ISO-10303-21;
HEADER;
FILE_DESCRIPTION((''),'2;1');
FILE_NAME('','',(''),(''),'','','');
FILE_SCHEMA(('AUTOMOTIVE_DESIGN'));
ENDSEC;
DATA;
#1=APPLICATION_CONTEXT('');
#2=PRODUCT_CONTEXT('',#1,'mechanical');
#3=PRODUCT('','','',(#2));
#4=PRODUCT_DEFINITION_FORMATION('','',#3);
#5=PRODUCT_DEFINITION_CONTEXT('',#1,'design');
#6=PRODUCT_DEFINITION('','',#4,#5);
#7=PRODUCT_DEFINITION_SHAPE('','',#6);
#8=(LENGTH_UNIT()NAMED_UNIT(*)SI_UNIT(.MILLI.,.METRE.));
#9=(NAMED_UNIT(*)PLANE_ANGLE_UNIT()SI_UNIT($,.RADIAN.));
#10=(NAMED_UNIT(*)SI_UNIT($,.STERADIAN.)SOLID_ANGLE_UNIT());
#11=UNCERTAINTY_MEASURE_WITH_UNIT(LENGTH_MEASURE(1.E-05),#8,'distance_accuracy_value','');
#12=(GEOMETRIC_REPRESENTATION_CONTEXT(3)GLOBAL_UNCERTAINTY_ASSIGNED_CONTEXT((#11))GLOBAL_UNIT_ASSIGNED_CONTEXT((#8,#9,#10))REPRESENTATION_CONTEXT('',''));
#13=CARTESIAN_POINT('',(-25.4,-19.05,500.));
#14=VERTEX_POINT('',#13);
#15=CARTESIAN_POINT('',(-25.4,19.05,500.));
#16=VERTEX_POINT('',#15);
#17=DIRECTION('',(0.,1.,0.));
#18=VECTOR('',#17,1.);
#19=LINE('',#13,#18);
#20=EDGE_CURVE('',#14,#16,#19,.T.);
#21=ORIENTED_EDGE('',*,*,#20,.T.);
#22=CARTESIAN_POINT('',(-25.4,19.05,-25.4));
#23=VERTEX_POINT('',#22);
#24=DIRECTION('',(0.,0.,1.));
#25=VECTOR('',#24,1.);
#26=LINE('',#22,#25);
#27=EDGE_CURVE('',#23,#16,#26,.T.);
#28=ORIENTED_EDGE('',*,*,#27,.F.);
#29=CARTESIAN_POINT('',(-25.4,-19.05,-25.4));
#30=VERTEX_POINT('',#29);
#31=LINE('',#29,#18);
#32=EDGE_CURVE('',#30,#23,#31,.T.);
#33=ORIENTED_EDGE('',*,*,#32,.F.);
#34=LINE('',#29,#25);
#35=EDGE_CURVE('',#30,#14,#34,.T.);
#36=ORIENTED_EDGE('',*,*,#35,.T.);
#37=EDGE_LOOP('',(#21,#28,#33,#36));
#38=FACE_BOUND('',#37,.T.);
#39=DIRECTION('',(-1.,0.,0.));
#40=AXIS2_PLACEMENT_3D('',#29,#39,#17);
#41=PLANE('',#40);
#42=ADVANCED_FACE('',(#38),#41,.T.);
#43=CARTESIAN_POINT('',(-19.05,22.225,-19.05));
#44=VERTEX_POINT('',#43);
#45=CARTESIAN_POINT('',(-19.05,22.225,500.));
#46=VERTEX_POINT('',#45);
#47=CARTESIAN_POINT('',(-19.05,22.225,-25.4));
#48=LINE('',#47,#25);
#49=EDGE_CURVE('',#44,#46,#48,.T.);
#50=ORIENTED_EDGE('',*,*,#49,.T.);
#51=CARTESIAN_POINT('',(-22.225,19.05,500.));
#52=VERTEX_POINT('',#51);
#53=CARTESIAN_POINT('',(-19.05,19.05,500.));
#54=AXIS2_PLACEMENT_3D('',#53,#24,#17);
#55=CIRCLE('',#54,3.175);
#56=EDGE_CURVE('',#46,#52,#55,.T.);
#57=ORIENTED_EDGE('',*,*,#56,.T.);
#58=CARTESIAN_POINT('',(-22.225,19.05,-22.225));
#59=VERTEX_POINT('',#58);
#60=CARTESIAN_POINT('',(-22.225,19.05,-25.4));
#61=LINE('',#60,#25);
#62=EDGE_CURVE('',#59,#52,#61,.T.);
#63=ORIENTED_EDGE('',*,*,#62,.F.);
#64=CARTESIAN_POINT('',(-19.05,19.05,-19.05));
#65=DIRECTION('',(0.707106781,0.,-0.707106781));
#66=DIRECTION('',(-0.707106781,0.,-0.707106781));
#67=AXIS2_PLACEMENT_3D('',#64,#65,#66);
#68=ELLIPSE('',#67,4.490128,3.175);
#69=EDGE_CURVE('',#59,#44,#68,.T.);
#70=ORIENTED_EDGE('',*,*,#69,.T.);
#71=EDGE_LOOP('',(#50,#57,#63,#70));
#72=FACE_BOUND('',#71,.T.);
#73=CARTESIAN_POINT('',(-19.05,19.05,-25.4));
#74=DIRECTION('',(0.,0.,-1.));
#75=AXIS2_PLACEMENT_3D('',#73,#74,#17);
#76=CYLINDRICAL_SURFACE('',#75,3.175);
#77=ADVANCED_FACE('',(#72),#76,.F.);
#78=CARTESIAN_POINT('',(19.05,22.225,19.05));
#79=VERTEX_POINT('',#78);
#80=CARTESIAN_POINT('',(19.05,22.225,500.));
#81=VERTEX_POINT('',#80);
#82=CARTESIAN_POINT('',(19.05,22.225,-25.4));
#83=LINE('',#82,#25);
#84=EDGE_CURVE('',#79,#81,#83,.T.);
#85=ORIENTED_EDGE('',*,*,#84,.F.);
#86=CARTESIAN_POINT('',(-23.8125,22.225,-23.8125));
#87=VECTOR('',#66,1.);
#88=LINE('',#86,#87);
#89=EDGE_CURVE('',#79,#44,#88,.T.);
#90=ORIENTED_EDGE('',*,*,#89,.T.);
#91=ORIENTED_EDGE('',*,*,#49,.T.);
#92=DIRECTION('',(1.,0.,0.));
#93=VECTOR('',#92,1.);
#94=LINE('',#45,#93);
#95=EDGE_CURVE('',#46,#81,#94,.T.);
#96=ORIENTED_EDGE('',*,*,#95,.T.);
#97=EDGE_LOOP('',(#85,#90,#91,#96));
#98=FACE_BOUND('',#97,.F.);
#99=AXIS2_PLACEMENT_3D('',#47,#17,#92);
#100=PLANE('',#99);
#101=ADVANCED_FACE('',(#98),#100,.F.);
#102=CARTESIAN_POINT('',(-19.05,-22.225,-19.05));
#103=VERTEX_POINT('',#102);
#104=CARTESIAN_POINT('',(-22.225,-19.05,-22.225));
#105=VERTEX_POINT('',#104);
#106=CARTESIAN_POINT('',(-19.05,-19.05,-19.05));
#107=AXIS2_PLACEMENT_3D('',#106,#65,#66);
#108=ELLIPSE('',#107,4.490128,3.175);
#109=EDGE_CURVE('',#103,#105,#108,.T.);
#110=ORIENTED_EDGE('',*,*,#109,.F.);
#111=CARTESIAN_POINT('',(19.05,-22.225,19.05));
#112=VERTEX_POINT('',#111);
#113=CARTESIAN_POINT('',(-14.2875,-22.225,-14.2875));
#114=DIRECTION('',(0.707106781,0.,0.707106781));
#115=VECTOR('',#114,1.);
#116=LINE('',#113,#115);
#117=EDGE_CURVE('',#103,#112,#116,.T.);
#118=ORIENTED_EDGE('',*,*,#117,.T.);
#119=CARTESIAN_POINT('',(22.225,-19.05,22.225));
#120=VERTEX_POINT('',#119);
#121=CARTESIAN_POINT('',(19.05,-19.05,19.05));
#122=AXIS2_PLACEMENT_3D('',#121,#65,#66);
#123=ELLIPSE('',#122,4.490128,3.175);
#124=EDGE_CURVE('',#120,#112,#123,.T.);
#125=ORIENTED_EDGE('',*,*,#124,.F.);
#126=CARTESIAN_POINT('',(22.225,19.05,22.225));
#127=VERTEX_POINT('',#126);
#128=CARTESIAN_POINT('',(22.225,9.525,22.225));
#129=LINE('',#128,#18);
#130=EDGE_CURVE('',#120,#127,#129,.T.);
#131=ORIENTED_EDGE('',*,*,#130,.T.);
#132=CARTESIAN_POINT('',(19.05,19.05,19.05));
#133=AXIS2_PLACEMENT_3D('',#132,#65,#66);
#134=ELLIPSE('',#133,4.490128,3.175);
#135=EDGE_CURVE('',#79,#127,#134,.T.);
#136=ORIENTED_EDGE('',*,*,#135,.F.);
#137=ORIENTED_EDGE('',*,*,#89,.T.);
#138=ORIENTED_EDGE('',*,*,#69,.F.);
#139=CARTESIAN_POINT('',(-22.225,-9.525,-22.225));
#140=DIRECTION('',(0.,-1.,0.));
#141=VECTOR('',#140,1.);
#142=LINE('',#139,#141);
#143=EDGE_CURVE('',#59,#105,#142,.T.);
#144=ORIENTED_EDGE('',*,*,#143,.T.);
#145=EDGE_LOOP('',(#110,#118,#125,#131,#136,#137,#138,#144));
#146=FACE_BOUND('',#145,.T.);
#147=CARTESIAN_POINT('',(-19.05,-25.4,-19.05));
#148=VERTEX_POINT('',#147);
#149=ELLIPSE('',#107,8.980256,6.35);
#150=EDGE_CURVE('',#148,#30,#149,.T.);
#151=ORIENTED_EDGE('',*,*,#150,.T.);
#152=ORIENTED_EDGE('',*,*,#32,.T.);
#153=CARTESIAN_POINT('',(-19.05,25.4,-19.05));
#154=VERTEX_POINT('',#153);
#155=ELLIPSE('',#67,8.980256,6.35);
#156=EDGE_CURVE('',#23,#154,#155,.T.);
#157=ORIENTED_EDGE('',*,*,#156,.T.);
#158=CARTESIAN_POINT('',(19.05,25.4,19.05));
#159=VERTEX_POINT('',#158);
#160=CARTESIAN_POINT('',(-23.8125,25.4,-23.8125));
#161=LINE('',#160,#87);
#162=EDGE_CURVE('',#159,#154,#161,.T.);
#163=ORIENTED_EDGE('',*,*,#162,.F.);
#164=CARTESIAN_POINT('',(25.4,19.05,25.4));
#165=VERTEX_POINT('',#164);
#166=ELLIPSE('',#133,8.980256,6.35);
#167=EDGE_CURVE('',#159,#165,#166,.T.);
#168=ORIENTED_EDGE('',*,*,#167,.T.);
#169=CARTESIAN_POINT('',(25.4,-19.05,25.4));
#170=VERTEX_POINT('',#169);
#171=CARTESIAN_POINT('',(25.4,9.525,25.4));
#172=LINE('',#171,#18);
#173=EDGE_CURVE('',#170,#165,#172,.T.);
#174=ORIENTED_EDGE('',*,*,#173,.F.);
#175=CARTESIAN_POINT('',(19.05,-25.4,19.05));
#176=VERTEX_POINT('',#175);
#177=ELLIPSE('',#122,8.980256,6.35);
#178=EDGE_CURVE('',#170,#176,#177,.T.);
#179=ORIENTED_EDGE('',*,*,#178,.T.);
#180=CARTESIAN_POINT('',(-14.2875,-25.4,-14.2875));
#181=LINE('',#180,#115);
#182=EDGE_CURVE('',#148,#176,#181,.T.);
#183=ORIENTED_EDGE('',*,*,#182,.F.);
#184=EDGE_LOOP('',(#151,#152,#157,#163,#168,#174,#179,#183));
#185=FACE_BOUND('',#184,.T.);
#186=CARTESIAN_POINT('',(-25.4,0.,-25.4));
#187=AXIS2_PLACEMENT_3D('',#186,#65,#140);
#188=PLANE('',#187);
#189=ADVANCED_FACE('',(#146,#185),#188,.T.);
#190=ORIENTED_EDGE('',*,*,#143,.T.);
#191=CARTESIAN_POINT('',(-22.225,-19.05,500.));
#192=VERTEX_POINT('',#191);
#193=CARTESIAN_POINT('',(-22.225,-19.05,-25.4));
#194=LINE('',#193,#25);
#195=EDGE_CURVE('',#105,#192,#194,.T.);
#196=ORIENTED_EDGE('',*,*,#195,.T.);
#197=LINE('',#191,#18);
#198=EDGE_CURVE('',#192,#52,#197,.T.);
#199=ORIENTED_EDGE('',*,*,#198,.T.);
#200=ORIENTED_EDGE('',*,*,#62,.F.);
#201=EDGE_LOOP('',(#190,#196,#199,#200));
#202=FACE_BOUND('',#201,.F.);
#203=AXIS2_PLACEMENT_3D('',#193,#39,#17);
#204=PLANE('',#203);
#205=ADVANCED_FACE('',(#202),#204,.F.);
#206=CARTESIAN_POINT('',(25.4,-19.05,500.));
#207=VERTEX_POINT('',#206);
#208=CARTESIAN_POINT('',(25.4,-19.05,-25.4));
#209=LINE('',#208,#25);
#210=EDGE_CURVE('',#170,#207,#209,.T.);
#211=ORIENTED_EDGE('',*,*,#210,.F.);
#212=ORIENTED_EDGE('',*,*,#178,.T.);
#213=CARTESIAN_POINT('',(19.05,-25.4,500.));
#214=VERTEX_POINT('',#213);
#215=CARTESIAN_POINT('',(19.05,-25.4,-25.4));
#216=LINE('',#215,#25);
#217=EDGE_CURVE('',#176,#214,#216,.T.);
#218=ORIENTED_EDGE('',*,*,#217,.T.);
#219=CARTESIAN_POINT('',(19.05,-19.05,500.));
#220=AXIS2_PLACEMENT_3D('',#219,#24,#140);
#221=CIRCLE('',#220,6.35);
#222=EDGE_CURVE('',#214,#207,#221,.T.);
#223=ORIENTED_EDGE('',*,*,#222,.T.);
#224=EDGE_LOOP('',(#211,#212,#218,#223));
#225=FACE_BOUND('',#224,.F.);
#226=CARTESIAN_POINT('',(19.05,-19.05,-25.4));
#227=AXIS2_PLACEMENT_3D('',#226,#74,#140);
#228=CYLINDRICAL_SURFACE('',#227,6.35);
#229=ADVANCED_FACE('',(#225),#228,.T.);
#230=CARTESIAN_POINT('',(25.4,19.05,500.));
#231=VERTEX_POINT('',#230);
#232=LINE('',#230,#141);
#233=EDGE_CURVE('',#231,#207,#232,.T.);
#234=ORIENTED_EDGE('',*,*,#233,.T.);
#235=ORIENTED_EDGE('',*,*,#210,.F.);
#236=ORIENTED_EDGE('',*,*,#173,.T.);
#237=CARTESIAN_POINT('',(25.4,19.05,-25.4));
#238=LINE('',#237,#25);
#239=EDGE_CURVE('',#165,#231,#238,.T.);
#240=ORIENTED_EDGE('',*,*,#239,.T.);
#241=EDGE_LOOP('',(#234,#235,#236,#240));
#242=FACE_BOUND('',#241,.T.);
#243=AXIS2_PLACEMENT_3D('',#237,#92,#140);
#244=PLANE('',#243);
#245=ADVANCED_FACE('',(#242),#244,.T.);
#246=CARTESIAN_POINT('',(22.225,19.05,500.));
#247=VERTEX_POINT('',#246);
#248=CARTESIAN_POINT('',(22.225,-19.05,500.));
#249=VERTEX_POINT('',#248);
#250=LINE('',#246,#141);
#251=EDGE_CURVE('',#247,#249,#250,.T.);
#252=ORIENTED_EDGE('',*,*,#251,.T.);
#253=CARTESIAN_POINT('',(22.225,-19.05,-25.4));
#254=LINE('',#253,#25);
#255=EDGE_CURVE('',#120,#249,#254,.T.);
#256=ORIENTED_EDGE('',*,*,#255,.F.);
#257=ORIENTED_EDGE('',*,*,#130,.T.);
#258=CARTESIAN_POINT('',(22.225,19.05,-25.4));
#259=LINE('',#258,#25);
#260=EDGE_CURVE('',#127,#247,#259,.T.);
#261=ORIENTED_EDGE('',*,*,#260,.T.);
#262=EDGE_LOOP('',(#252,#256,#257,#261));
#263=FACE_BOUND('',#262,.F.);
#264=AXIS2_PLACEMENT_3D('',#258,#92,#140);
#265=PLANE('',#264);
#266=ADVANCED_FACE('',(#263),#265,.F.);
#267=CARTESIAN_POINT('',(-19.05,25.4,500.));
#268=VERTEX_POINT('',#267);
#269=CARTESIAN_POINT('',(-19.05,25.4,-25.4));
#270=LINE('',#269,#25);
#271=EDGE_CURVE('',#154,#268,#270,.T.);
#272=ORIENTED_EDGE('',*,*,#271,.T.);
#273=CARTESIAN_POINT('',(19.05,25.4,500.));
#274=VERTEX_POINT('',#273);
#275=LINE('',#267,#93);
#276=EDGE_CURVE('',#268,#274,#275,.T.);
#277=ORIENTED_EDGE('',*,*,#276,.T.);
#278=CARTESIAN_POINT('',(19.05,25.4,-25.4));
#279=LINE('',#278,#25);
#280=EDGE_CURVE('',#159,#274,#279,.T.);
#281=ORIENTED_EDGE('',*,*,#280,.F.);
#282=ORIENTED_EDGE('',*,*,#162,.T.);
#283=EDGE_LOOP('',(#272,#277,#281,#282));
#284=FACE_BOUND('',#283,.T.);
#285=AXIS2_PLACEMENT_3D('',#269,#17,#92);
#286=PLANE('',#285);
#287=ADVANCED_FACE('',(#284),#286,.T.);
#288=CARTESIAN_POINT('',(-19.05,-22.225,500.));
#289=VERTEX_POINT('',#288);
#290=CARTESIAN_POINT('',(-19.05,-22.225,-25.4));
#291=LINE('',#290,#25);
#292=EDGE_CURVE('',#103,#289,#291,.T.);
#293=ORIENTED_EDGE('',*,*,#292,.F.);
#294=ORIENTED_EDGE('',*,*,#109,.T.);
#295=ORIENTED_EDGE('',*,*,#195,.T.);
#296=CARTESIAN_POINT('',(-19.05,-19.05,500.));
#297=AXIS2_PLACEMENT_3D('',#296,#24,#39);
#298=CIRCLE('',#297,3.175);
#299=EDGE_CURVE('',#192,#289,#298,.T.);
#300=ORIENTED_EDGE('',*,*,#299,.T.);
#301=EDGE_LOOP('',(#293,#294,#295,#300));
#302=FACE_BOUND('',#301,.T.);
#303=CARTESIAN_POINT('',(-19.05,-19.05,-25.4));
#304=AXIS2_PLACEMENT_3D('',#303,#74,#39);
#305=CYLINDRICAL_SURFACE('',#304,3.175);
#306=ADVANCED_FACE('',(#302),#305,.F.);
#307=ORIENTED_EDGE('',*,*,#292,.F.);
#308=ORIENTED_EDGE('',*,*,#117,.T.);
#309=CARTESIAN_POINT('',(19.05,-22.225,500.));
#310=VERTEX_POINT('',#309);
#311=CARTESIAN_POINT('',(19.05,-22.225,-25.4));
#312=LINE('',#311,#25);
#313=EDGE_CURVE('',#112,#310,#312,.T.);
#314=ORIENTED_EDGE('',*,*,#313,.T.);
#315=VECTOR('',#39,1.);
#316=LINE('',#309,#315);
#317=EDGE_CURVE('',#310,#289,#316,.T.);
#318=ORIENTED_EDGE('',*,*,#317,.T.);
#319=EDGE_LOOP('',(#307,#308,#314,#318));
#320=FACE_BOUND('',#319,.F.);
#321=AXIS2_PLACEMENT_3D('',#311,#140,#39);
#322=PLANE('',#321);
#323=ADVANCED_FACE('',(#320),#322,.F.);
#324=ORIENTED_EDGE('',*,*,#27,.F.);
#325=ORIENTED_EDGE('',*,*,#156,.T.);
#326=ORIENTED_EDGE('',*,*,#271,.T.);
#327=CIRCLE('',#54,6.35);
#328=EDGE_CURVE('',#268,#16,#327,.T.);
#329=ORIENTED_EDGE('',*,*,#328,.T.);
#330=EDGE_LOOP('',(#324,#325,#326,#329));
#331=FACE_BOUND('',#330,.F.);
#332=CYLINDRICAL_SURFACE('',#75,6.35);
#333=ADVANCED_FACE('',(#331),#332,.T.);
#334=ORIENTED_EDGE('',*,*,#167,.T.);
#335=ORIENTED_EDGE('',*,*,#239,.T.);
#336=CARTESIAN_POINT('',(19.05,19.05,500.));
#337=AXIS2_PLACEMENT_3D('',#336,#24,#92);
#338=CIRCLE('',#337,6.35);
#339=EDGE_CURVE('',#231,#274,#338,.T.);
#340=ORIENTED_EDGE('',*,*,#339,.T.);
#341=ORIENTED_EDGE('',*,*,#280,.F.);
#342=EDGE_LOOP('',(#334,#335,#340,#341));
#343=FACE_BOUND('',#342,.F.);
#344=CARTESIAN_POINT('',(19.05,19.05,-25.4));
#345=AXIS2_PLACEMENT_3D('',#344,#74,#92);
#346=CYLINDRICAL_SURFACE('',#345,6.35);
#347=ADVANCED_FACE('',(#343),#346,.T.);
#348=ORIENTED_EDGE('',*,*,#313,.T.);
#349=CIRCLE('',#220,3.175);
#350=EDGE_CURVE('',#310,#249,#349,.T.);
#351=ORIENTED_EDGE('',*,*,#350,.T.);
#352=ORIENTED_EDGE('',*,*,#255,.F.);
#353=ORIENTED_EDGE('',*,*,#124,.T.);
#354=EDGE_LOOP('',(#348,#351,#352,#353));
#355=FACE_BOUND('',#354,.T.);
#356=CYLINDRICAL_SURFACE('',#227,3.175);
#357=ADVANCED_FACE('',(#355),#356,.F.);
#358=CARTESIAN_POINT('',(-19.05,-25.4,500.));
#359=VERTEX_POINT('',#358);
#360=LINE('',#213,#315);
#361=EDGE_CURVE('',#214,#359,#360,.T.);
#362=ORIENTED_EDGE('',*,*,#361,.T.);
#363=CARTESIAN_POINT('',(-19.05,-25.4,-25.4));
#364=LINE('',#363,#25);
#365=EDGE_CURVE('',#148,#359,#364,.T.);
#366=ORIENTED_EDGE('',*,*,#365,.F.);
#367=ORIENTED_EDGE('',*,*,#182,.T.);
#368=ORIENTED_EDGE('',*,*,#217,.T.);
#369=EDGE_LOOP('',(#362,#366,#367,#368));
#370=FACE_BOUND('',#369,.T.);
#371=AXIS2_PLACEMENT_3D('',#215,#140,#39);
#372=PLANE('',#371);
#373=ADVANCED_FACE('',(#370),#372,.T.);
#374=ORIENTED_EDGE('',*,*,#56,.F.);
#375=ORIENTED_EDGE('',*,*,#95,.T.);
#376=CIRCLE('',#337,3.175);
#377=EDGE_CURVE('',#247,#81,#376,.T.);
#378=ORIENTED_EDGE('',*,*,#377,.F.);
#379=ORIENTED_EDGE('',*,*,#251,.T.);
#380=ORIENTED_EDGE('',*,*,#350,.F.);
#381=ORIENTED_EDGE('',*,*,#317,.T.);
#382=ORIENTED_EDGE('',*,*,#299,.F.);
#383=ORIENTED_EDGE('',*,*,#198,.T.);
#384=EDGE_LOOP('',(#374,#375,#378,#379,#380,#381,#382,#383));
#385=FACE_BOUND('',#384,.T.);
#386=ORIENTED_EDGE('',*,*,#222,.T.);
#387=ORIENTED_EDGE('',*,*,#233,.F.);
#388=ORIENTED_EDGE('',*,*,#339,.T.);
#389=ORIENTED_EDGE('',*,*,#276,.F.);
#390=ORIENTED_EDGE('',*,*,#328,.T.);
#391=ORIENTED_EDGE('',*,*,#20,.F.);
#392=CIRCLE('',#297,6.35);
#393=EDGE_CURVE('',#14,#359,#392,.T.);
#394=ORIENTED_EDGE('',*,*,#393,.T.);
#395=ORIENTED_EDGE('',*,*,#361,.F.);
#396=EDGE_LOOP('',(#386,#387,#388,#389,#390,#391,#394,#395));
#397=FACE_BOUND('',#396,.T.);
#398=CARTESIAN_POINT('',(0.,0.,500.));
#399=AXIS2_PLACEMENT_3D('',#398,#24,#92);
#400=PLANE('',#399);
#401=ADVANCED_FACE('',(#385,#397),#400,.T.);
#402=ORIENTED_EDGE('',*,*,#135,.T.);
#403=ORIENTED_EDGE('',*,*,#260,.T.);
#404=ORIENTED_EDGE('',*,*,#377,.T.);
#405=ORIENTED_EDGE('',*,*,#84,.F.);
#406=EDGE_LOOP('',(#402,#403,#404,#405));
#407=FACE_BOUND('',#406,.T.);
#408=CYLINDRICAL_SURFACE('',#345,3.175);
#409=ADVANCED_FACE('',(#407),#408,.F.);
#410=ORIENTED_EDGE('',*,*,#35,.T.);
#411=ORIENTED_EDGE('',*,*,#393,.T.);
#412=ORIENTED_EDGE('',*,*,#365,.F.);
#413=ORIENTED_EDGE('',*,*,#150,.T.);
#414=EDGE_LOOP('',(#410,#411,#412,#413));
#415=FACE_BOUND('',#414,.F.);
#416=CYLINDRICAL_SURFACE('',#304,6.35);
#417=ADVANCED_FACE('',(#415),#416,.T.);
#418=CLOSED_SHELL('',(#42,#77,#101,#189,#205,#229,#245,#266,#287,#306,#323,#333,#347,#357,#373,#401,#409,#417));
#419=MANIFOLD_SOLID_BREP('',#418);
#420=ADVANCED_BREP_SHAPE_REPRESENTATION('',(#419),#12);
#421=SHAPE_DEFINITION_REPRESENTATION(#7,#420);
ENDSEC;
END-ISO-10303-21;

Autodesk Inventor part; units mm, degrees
ref_plane "Plano inicial" through (0, 0, -25.4) normal (0, 0, 1) x (1, 0, 0)
ref_plane "Plano final" through (0, 0, 500) normal (0, 0, 1) x (1, 0, 0)
sketch "Boceto" plane through (0, 0, 0) normal (0, 0, 1) x (1, 0, 0)
  line L0 (-25.4, -19.05) -> (-25.4, 19.05)
  line L1 (-19.05, 25.4) -> (19.05, 25.4)
  line L2 (25.4, 19.05) -> (25.4, -19.05)
  line L3 (19.05, -25.4) -> (-19.05, -25.4)
  arc A0 (-25.4, -19.05) -> (-19.05, -25.4) centre (-19.05, -19.05) ccw
  arc A1 (-19.05, 25.4) -> (-25.4, 19.05) centre (-19.05, 19.05) ccw
  arc A2 (25.4, 19.05) -> (19.05, 25.4) centre (19.05, 19.05) ccw
  arc A3 (19.05, -25.4) -> (25.4, -19.05) centre (19.05, -19.05) ccw
  arc A4 (-19.05, 22.225) -> (-22.225, 19.05) centre (-19.05, 19.05) ccw
  line L4 (-19.05, 22.225) -> (19.05, 22.225)
  arc A5 (22.225, 19.05) -> (19.05, 22.225) centre (19.05, 19.05) ccw
  line L5 (22.225, 19.05) -> (22.225, -19.05)
  arc A6 (19.05, -22.225) -> (22.225, -19.05) centre (19.05, -19.05) ccw
  line L6 (19.05, -22.225) -> (-19.05, -22.225)
  arc A7 (-22.225, -19.05) -> (-19.05, -22.225) centre (-19.05, -19.05) ccw
  line L7 (-22.225, -19.05) -> (-22.225, 19.05)
  line L8 (0, 37.4012) -> (0, -37.4012) construction
  line L9 (-37.4012, 0) -> (37.4012, 0) construction
  dimension "d10" = 50.8
  dimension "d11" = 50.8
  dimension "d12" = 3.175
  dimension "d15" = 25.4
  dimension "d16" = 25.4
  dimension "d17" = 6.35
extrude "Cuerpo" add sketch "Boceto" along normal up to surface (525.4 mm away) from surface at -25.4
sketch "Sketch3" plane through (0, 0, 0) normal (0, 0, 1) x (1, 0, 0)
  line L0 (0, 0) -> (10, 0)
ref_plane "Work Plane3" through (0, 0, 0) normal (0, -1, 0) x (1, 0, 0)
ref_plane "Plano de trabajo4" through (-25.4, 0, -25.4) normal (0.7071, 0, -0.7071) x (-0.7071, 0, -0.7071)
split "Dividir1" plane through (-25.4, 0, -25.4) removes the side toward (0.7071, 0, -0.7071)
sketch "Sketch4" plane through (0, 0, 0) normal (0, -1, 0) x (1, 0, 0)
  line L0 (-2, -25.4) -> (12, -25.4) projected
  line L1 (-2, 500) -> (12, 500) projected
  dimension "d19" = 525.4
equation "\"d10\" = G_H"
equation "\"d11\" = G_W"
equation "\"d12\" = G_T"
equation "\"d15\" = 0.5 * d10"
equation "\"d16\" = 0.5 * d11"
equation "\"d17\" = G_IR"
equation "\"d3\" = G_L"
equation "\"G_W\" = 50.8"
equation "\"G_H\" = 50.8"
equation "\"G_T\" = 3.175"
equation "\"G_IR\" = 6.35"
equation "\"G_L\" = d19"
equation "\"G_OFFSET_START\" = 25.4"
equation "\"G_OFFSET_END\" = 0"
equation "\"d13\" = -G_OFFSET_START"
properties part number "AISC - 2 x 2 x 1/8 - 20,685" material "Acero, suave"
